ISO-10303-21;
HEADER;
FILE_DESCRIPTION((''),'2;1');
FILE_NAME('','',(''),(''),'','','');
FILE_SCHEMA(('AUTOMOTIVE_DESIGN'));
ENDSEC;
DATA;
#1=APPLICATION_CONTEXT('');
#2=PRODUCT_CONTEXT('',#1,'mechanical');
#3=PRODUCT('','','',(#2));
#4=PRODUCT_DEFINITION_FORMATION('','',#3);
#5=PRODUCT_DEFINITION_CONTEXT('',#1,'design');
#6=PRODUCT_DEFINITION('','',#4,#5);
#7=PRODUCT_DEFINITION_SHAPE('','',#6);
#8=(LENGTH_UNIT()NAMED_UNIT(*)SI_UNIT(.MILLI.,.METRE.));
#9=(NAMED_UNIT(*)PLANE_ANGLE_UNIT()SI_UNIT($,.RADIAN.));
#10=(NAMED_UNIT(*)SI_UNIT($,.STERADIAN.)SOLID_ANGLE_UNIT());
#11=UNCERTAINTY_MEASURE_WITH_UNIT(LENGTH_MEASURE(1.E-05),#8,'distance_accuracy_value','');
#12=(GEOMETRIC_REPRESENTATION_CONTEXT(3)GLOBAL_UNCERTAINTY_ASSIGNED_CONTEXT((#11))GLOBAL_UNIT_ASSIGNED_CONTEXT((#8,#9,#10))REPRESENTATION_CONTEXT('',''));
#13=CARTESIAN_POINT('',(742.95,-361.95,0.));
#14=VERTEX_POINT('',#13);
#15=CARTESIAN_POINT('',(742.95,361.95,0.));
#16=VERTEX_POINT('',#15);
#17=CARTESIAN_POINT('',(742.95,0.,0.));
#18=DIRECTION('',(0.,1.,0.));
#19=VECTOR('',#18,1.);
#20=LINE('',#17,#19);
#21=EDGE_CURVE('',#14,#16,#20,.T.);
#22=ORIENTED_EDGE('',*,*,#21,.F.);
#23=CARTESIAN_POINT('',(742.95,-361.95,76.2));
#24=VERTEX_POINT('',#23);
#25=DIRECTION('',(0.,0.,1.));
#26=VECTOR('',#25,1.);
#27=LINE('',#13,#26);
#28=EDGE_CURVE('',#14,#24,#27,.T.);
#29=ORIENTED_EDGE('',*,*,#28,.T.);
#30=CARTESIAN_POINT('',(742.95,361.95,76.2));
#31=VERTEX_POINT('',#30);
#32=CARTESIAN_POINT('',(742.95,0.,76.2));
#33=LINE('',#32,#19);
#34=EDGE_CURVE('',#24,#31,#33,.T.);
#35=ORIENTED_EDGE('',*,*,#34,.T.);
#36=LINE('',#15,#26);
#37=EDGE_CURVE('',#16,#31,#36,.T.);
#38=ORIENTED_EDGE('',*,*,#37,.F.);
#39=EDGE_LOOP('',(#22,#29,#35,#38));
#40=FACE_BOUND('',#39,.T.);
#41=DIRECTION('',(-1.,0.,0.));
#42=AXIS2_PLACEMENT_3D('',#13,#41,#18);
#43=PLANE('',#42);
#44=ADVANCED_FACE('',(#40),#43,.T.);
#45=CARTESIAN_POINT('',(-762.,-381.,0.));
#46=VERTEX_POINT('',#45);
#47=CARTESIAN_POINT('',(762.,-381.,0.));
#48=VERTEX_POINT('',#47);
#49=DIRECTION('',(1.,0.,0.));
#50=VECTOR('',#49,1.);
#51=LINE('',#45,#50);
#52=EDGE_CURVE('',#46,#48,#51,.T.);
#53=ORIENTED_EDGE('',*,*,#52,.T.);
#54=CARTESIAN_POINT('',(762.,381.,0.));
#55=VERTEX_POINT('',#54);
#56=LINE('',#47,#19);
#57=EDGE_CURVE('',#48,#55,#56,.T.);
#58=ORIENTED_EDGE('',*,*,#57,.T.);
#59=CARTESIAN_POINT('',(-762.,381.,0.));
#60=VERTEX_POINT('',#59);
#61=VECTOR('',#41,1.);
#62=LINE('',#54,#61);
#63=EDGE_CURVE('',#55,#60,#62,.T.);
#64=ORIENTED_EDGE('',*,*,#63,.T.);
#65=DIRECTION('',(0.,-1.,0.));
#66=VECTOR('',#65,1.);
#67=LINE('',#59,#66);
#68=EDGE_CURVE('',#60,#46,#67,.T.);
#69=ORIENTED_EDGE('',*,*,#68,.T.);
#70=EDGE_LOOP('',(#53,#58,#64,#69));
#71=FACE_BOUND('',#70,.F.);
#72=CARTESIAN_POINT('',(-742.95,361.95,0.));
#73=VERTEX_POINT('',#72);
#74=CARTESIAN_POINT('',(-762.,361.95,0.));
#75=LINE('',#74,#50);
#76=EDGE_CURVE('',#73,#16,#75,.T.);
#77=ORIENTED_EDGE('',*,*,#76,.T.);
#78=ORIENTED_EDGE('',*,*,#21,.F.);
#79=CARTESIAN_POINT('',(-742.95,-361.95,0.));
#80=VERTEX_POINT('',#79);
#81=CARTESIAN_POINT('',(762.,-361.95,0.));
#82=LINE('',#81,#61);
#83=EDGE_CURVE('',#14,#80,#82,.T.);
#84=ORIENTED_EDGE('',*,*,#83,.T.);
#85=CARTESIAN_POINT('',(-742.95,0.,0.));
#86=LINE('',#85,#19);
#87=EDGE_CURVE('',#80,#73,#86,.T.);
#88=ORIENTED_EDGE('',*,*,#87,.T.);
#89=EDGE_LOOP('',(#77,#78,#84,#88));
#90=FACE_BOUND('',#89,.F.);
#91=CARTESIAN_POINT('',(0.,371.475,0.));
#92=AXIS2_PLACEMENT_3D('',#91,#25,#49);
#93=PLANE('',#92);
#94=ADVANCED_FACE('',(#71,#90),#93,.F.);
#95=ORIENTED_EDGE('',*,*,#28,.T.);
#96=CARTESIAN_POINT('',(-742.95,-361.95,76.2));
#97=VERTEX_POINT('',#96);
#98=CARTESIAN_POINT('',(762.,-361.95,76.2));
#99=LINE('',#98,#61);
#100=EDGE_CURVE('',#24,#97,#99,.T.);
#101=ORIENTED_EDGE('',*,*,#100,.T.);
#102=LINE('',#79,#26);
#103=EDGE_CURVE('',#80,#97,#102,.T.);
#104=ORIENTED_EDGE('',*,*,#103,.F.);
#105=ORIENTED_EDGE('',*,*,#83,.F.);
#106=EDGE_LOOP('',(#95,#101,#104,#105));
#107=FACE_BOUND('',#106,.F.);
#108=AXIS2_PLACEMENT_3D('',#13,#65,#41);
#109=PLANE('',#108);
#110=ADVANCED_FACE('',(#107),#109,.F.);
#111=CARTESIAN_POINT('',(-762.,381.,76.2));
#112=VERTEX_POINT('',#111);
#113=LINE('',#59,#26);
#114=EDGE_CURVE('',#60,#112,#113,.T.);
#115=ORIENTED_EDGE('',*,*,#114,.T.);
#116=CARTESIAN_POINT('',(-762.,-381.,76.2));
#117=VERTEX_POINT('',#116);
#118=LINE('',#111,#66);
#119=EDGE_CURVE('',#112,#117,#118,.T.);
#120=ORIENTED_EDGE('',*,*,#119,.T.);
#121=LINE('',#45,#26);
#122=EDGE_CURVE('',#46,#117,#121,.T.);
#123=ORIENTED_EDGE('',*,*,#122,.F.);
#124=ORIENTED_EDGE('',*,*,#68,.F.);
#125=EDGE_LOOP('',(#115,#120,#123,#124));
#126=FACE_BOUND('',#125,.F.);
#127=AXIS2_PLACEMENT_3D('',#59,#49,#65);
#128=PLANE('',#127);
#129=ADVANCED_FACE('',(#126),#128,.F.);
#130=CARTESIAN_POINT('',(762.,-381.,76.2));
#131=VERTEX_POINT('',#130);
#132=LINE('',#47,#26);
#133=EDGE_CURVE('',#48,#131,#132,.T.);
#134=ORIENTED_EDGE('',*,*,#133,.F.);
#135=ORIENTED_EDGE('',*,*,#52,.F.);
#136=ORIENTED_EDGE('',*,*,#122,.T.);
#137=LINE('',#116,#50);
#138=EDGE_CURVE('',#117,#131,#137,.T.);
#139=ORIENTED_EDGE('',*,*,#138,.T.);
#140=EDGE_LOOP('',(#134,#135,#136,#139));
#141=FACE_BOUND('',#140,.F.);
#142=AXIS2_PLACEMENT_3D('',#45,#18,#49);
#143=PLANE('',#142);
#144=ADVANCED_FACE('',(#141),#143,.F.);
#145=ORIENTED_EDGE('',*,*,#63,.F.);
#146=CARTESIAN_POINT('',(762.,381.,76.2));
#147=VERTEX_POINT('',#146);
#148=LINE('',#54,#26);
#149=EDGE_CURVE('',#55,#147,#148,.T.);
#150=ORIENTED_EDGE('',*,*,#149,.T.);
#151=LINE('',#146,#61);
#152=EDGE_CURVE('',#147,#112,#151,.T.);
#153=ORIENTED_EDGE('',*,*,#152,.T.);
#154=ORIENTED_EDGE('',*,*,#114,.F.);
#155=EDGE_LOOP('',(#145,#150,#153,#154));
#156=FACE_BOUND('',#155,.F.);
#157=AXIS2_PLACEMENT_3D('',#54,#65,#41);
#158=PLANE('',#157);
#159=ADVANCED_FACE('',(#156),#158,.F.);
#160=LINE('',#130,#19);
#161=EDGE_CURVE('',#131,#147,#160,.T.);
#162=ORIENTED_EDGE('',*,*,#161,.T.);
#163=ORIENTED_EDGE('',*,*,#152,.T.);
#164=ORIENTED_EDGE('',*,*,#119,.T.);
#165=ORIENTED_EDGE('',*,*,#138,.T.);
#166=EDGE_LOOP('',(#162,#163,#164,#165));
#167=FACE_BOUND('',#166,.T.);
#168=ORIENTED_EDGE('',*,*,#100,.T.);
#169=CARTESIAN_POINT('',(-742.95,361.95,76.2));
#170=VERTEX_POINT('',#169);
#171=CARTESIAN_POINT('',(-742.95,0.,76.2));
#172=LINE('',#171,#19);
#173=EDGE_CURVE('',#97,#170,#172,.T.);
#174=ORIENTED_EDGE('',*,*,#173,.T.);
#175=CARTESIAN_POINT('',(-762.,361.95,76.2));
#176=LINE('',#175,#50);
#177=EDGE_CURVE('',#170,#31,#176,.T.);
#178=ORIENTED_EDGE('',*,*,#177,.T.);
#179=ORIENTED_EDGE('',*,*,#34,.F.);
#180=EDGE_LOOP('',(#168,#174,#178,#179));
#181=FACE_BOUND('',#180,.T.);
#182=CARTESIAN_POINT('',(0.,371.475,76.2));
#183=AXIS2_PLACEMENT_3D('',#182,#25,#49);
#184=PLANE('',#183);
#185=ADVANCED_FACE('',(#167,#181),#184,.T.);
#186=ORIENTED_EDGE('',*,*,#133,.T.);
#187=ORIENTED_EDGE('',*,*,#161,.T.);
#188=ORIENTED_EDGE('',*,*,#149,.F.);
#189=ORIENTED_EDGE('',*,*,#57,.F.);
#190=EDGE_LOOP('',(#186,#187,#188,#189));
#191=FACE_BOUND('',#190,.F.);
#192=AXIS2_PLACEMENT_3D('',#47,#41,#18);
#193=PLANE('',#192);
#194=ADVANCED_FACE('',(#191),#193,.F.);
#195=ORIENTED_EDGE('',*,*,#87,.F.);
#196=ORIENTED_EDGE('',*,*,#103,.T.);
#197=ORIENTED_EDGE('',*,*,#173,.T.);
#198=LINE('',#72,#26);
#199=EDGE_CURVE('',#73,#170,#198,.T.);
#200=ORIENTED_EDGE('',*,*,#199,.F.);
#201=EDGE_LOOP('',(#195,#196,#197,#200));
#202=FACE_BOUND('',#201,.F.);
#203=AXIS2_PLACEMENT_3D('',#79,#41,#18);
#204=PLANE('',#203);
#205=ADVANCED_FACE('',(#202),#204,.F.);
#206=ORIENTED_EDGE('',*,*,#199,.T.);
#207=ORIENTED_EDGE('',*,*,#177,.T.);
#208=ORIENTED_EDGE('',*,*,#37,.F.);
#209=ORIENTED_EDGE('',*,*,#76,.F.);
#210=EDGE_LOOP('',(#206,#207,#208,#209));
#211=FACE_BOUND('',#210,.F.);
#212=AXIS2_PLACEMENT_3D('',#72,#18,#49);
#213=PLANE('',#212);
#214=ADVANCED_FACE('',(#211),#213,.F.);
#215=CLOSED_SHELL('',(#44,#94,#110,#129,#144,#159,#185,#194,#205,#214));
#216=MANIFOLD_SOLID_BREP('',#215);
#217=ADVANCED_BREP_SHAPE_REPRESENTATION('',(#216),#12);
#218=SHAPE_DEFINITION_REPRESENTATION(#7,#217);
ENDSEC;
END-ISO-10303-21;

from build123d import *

# Parameters (mm, degrees)
F0_W     = 19.05
F0_H     = 723.9
F1_DEPTH = 76.2


with BuildPart() as f1:
    # F0 (on Top) → F1 (new body)
    with BuildSketch(Plane.XY):
        Polygon((762, 381), (-762, 381), (-762, 361.95), (-742.95, 361.95), (742.95, 361.95), (762, 361.95), align=None)
        with Locations((-752.475, 0)):
            Rectangle(F0_W, F0_H)
        Polygon((-742.95, -361.95), (-762, -361.95), (-762, -381), (762, -381), (762, -361.95), (742.95, -361.95), align=None)
        with Locations((752.475, 0)):
            Rectangle(F0_W, F0_H)
    extrude(amount=F1_DEPTH)


solid = f1.part
